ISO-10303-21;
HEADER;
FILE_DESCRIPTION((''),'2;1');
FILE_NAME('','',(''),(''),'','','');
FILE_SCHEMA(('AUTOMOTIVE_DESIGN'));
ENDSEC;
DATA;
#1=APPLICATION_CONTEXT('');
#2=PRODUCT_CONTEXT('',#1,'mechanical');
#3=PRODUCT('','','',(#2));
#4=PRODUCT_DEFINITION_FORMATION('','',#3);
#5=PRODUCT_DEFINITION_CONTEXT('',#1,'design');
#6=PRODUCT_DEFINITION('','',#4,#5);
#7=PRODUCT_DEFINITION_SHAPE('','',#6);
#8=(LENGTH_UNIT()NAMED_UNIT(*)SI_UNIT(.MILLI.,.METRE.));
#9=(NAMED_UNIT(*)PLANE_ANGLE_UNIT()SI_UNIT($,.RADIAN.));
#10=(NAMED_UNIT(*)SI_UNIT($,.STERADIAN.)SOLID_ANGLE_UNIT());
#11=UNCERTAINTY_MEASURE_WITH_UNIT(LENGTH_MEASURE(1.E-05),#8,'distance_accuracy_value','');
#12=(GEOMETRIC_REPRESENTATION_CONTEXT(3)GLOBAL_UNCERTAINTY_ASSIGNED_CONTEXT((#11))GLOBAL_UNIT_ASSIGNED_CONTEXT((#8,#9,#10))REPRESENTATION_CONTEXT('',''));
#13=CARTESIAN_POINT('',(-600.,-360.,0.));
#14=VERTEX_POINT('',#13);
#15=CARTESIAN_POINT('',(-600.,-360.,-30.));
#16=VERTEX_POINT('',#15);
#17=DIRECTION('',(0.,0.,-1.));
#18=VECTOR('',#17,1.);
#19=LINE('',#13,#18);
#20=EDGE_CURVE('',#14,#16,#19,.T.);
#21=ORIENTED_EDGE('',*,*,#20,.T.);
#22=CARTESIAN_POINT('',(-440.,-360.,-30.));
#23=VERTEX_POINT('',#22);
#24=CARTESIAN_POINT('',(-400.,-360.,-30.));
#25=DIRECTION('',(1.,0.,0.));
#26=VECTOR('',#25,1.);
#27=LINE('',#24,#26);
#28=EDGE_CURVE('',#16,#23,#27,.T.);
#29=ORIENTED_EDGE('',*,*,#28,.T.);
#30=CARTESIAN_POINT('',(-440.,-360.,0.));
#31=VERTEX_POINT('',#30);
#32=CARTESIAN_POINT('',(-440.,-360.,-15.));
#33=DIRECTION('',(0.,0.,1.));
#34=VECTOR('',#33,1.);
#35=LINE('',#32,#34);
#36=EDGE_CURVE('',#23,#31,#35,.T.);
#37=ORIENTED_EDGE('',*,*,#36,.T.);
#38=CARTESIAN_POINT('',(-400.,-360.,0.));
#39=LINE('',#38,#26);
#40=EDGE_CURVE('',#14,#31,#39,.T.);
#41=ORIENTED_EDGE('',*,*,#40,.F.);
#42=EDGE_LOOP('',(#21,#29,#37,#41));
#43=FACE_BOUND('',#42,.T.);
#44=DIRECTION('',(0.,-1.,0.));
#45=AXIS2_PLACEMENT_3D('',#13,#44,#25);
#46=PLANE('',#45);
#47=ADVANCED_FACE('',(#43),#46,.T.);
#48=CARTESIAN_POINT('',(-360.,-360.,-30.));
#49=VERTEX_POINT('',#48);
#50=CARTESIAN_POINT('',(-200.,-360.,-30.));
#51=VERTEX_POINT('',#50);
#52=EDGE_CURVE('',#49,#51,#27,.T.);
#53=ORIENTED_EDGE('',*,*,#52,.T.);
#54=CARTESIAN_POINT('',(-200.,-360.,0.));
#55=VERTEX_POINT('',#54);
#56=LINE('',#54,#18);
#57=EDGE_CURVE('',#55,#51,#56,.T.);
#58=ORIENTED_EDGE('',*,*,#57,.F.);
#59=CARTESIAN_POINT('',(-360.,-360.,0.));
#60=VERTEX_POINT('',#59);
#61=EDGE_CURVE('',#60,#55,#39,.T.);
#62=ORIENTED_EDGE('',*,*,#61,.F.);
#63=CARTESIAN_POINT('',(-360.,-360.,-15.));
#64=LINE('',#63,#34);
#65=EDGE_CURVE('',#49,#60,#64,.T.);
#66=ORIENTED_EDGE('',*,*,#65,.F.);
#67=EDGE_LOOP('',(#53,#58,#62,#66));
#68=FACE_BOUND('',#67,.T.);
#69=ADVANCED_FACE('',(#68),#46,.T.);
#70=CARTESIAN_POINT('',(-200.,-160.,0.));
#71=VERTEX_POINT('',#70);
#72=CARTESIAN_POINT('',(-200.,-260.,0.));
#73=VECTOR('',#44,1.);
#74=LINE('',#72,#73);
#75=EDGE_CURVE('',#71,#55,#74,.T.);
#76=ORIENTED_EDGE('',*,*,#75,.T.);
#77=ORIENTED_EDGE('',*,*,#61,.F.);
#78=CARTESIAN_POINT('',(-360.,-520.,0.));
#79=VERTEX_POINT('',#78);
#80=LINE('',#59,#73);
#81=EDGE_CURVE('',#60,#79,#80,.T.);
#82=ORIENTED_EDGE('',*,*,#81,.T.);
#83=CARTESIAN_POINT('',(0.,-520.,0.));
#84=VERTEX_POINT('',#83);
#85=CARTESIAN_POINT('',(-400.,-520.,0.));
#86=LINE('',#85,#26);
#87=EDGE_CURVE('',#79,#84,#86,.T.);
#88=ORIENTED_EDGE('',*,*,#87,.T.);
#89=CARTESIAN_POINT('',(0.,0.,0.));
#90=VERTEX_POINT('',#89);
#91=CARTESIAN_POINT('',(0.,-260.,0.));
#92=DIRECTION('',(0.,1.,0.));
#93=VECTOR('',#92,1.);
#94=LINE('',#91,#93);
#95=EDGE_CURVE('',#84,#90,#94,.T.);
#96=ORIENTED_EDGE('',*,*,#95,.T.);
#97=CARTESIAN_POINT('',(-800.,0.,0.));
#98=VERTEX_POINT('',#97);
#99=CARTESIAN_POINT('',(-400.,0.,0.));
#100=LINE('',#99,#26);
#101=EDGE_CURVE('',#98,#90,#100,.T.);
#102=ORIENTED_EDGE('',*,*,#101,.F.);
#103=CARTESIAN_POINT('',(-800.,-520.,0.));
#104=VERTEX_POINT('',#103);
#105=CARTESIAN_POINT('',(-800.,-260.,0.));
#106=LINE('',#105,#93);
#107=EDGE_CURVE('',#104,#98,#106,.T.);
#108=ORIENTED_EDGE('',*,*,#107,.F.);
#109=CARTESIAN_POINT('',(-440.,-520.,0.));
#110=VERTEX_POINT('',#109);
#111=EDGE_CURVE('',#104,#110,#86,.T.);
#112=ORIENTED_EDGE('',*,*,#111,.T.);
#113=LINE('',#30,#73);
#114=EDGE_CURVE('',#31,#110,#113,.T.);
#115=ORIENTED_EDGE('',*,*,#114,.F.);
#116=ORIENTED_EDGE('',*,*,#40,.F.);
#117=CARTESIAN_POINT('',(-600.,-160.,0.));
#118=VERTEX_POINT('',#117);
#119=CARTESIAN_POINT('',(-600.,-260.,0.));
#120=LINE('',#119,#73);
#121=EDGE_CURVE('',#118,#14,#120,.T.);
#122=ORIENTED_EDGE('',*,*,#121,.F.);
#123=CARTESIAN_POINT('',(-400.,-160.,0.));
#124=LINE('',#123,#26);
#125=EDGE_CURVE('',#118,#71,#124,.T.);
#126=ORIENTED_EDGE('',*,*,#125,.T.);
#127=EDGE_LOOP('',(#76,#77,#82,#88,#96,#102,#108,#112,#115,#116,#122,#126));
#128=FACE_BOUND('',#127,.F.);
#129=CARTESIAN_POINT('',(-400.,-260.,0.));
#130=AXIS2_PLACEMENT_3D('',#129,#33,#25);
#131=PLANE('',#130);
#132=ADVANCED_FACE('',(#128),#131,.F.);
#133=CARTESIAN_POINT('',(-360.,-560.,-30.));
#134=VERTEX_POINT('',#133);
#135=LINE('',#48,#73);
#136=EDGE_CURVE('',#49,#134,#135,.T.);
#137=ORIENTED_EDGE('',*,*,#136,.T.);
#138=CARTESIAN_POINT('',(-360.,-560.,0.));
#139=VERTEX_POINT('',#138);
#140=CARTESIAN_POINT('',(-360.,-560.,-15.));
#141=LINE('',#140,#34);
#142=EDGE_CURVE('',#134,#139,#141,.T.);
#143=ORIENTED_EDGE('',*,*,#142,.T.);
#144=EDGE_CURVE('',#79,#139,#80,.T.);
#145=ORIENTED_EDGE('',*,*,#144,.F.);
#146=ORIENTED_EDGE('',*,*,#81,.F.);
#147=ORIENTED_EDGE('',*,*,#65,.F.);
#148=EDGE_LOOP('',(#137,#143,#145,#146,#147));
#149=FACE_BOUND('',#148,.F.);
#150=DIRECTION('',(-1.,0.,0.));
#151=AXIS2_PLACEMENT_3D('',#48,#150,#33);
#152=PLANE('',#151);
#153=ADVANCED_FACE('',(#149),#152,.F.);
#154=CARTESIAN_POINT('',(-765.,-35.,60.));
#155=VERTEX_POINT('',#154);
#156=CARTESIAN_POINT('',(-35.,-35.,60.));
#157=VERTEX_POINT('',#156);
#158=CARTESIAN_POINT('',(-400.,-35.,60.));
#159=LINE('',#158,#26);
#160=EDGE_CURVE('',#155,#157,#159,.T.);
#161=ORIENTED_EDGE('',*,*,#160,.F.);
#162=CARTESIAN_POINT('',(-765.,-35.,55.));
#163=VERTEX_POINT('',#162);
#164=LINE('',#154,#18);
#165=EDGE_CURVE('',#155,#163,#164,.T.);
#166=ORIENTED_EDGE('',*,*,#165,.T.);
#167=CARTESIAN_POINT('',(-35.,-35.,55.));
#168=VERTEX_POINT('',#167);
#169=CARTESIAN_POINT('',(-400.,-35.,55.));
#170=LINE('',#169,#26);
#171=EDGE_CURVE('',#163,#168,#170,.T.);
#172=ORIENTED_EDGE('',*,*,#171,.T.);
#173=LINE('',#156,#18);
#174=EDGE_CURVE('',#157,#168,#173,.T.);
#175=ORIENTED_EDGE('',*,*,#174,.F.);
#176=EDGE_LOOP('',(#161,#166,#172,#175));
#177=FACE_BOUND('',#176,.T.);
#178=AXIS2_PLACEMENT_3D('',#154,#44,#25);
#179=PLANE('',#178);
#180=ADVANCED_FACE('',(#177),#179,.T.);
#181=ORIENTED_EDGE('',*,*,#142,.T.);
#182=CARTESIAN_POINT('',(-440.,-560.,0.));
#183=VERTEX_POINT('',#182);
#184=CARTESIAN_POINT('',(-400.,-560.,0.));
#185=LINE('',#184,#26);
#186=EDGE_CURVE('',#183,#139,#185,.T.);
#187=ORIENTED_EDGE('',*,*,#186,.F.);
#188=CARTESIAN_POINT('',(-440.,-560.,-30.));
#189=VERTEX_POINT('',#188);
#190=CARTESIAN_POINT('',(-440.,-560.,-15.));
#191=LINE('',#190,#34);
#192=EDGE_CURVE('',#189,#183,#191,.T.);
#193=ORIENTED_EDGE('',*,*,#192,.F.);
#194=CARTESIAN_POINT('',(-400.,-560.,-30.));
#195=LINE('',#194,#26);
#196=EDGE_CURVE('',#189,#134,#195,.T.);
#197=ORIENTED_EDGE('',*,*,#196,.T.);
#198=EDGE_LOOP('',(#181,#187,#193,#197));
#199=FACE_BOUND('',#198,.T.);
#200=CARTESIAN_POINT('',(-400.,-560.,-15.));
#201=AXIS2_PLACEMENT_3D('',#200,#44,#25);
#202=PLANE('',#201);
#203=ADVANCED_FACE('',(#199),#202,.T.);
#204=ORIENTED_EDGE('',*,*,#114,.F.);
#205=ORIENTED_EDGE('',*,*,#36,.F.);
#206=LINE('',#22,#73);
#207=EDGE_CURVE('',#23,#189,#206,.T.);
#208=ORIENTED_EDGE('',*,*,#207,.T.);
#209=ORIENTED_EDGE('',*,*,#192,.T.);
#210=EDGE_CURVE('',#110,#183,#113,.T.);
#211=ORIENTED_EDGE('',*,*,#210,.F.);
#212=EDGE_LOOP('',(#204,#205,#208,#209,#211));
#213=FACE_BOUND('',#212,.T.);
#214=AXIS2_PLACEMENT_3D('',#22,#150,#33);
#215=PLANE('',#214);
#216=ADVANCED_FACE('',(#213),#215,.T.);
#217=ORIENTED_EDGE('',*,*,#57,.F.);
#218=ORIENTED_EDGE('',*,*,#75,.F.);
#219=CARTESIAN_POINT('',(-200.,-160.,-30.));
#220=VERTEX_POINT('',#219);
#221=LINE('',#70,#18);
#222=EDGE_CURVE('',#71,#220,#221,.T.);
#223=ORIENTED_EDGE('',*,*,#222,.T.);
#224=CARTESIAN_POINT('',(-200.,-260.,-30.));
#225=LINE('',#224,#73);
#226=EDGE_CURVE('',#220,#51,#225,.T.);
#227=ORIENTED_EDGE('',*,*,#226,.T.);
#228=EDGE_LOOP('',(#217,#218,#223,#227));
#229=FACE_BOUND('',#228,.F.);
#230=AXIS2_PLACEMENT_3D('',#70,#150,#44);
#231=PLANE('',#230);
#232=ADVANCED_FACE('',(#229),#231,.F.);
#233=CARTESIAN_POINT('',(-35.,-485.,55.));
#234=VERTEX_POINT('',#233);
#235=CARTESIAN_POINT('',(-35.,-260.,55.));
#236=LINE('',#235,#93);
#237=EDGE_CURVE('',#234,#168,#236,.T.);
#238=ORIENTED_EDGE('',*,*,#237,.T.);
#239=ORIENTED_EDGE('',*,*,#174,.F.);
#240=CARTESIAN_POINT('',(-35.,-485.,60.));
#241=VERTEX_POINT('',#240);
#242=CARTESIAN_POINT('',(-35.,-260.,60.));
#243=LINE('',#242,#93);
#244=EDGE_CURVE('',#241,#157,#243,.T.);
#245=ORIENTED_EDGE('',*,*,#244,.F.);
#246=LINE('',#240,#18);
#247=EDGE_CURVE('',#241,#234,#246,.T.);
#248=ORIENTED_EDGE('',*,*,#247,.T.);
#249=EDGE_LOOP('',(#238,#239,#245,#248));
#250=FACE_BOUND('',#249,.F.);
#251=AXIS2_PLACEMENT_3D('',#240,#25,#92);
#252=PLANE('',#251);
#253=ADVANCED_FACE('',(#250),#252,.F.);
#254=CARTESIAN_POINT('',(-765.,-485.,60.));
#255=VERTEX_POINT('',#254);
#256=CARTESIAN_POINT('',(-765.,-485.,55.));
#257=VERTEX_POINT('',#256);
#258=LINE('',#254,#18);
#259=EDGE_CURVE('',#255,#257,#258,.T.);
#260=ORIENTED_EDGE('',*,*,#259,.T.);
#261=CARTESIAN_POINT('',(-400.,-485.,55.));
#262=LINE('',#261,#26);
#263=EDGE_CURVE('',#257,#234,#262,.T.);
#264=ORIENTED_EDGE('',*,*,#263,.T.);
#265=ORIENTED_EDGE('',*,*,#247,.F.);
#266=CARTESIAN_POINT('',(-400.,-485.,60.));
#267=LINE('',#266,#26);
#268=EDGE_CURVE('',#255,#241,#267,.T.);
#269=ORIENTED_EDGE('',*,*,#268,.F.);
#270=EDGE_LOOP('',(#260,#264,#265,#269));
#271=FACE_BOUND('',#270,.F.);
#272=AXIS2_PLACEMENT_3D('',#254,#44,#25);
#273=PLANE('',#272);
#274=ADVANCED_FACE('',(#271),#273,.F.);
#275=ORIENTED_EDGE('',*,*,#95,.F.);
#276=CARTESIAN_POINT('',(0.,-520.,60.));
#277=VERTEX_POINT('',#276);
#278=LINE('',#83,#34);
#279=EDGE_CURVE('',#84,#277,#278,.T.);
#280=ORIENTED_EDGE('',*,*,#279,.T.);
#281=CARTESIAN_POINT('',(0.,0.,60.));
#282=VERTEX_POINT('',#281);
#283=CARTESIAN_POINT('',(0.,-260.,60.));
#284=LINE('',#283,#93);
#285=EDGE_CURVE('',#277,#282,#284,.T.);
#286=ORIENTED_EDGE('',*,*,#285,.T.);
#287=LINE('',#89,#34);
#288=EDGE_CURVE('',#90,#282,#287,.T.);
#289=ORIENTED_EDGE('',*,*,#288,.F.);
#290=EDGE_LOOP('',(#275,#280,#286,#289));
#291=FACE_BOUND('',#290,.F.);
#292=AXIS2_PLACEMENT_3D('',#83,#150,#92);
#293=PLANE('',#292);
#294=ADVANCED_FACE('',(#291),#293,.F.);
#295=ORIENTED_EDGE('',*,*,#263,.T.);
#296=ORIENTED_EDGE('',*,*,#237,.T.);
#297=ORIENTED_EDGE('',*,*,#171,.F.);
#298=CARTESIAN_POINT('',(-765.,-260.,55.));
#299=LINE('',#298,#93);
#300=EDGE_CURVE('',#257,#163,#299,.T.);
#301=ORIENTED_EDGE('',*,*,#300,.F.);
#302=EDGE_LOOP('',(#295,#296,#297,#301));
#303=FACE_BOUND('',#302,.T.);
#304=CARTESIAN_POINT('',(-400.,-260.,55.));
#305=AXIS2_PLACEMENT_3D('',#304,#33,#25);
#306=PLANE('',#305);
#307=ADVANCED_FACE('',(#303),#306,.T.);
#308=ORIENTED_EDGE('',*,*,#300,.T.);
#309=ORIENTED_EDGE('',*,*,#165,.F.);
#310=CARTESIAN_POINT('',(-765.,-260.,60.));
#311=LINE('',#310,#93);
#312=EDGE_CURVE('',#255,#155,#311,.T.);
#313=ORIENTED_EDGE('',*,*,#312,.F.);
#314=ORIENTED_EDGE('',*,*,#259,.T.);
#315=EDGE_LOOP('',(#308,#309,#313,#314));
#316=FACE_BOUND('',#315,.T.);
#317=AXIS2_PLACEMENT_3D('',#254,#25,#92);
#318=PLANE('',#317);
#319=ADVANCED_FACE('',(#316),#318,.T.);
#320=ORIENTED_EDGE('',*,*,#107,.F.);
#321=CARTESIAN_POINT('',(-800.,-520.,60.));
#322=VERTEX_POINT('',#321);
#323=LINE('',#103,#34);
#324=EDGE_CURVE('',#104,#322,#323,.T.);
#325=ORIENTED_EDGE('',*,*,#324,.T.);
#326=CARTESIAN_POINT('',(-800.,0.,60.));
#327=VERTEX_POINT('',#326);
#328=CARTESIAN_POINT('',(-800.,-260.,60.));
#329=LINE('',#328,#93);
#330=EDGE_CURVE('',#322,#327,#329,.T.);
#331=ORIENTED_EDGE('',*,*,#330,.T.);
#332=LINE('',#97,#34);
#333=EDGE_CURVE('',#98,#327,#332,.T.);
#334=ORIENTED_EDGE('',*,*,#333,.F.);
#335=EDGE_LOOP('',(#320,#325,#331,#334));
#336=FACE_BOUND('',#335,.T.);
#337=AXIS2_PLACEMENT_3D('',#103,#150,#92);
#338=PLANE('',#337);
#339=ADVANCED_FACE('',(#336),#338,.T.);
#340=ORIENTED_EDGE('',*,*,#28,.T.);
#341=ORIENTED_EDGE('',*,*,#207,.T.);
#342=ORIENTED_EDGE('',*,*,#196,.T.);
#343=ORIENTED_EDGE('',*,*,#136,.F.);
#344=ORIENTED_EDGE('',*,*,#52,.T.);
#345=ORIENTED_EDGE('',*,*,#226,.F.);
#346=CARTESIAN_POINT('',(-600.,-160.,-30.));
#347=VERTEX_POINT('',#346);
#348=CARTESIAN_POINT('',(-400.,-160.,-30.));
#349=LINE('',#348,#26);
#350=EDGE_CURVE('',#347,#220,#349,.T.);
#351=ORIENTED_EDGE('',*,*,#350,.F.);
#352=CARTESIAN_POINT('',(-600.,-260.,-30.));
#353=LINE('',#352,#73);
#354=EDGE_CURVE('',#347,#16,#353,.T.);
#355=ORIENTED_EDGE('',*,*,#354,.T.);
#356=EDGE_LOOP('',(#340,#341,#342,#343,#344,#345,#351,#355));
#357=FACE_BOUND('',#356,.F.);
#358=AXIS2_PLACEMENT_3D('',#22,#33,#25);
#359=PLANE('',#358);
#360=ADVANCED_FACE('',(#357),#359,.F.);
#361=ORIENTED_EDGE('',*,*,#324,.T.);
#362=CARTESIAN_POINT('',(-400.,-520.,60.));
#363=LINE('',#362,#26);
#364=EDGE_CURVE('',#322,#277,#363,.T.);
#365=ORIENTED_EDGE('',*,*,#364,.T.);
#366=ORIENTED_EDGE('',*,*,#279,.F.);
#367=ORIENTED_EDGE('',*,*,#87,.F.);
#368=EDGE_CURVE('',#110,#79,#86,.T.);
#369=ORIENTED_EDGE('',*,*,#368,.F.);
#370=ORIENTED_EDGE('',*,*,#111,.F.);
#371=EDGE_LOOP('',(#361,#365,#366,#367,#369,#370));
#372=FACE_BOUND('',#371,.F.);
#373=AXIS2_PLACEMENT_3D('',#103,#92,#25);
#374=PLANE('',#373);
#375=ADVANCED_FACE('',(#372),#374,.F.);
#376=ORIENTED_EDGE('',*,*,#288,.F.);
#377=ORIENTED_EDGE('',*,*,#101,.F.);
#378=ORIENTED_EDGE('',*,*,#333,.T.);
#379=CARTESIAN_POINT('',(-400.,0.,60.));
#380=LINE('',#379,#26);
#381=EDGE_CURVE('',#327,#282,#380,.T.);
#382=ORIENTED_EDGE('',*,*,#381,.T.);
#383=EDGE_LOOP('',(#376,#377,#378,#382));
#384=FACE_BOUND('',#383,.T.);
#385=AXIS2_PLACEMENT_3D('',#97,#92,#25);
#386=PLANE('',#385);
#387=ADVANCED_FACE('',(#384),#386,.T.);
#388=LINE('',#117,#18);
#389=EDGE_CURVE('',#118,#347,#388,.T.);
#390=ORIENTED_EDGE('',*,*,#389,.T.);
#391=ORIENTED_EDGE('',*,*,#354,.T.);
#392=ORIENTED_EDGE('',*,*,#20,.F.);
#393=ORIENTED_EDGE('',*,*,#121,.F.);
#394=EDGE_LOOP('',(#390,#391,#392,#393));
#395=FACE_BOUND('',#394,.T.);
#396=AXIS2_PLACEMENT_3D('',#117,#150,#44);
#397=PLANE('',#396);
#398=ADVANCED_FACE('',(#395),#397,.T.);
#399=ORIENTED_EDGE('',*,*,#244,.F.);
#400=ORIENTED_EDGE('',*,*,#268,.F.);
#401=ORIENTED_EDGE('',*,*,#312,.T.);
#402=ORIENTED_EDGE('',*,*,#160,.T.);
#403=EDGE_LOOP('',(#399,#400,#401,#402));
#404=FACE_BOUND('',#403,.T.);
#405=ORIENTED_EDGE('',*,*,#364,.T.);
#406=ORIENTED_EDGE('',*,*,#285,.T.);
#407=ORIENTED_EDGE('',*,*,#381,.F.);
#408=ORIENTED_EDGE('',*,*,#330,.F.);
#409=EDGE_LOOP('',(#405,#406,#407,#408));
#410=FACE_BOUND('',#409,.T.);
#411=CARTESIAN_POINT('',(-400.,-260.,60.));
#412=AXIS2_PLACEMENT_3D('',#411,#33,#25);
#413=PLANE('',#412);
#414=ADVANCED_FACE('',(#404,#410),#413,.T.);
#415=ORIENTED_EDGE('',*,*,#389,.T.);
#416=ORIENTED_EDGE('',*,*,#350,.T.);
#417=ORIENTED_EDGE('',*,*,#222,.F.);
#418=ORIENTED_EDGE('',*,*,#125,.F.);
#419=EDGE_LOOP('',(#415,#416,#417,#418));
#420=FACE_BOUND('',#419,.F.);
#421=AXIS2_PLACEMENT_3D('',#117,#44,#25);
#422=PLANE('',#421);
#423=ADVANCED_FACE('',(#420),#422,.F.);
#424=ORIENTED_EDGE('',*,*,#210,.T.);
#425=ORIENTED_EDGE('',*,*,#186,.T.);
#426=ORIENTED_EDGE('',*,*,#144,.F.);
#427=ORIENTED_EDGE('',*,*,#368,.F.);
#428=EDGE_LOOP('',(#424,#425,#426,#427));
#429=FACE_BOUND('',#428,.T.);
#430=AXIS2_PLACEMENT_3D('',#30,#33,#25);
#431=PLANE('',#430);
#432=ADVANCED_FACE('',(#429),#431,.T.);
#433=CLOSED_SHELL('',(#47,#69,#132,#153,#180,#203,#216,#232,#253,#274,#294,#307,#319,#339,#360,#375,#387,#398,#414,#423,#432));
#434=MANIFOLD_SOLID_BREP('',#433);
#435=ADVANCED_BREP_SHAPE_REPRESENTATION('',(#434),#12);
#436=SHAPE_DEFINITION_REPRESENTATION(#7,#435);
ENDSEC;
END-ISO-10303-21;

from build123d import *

# Parameters (mm, degrees)
F0_W     = 800
F0_H     = 520
F1_DEPTH = 60
F2_W     = 400
F2_H     = 200
F3_DEPTH = 30
F4_W     = 80
F4_H     = 30
F5_DEPTH = 200
F6_W     = 730
F6_H     = 450
F7_DEPTH = 5


with BuildPart() as f1:
    # F0 (on Top) → F1 (new body)
    with BuildSketch(Plane.XY):
        with Locations((-400, -260)):
            Rectangle(F0_W, F0_H)
    extrude(amount=F1_DEPTH)

    # F2 (on face) → F3 (join)
    with BuildSketch(Plane(origin=(0, 0, 0), x_dir=(1, 0, 0), z_dir=(0, 0, -1))):
        with Locations((-400, 260)):
            Rectangle(F2_W, F2_H)
    extrude(amount=F3_DEPTH)

    # F4 (on face) → F5 (join)
    with BuildSketch(Plane.XZ.offset(360)):
        with Locations((-400, -15)):
            Rectangle(F4_W, F4_H)
    extrude(amount=F5_DEPTH)

    # F6 (on face) → F7 (cut)
    with BuildSketch(Plane.XY.offset(60)):
        with Locations((-400, -260)):
            Rectangle(F6_W, F6_H)
    extrude(amount=-F7_DEPTH, mode=Mode.SUBTRACT)


solid = f1.part
